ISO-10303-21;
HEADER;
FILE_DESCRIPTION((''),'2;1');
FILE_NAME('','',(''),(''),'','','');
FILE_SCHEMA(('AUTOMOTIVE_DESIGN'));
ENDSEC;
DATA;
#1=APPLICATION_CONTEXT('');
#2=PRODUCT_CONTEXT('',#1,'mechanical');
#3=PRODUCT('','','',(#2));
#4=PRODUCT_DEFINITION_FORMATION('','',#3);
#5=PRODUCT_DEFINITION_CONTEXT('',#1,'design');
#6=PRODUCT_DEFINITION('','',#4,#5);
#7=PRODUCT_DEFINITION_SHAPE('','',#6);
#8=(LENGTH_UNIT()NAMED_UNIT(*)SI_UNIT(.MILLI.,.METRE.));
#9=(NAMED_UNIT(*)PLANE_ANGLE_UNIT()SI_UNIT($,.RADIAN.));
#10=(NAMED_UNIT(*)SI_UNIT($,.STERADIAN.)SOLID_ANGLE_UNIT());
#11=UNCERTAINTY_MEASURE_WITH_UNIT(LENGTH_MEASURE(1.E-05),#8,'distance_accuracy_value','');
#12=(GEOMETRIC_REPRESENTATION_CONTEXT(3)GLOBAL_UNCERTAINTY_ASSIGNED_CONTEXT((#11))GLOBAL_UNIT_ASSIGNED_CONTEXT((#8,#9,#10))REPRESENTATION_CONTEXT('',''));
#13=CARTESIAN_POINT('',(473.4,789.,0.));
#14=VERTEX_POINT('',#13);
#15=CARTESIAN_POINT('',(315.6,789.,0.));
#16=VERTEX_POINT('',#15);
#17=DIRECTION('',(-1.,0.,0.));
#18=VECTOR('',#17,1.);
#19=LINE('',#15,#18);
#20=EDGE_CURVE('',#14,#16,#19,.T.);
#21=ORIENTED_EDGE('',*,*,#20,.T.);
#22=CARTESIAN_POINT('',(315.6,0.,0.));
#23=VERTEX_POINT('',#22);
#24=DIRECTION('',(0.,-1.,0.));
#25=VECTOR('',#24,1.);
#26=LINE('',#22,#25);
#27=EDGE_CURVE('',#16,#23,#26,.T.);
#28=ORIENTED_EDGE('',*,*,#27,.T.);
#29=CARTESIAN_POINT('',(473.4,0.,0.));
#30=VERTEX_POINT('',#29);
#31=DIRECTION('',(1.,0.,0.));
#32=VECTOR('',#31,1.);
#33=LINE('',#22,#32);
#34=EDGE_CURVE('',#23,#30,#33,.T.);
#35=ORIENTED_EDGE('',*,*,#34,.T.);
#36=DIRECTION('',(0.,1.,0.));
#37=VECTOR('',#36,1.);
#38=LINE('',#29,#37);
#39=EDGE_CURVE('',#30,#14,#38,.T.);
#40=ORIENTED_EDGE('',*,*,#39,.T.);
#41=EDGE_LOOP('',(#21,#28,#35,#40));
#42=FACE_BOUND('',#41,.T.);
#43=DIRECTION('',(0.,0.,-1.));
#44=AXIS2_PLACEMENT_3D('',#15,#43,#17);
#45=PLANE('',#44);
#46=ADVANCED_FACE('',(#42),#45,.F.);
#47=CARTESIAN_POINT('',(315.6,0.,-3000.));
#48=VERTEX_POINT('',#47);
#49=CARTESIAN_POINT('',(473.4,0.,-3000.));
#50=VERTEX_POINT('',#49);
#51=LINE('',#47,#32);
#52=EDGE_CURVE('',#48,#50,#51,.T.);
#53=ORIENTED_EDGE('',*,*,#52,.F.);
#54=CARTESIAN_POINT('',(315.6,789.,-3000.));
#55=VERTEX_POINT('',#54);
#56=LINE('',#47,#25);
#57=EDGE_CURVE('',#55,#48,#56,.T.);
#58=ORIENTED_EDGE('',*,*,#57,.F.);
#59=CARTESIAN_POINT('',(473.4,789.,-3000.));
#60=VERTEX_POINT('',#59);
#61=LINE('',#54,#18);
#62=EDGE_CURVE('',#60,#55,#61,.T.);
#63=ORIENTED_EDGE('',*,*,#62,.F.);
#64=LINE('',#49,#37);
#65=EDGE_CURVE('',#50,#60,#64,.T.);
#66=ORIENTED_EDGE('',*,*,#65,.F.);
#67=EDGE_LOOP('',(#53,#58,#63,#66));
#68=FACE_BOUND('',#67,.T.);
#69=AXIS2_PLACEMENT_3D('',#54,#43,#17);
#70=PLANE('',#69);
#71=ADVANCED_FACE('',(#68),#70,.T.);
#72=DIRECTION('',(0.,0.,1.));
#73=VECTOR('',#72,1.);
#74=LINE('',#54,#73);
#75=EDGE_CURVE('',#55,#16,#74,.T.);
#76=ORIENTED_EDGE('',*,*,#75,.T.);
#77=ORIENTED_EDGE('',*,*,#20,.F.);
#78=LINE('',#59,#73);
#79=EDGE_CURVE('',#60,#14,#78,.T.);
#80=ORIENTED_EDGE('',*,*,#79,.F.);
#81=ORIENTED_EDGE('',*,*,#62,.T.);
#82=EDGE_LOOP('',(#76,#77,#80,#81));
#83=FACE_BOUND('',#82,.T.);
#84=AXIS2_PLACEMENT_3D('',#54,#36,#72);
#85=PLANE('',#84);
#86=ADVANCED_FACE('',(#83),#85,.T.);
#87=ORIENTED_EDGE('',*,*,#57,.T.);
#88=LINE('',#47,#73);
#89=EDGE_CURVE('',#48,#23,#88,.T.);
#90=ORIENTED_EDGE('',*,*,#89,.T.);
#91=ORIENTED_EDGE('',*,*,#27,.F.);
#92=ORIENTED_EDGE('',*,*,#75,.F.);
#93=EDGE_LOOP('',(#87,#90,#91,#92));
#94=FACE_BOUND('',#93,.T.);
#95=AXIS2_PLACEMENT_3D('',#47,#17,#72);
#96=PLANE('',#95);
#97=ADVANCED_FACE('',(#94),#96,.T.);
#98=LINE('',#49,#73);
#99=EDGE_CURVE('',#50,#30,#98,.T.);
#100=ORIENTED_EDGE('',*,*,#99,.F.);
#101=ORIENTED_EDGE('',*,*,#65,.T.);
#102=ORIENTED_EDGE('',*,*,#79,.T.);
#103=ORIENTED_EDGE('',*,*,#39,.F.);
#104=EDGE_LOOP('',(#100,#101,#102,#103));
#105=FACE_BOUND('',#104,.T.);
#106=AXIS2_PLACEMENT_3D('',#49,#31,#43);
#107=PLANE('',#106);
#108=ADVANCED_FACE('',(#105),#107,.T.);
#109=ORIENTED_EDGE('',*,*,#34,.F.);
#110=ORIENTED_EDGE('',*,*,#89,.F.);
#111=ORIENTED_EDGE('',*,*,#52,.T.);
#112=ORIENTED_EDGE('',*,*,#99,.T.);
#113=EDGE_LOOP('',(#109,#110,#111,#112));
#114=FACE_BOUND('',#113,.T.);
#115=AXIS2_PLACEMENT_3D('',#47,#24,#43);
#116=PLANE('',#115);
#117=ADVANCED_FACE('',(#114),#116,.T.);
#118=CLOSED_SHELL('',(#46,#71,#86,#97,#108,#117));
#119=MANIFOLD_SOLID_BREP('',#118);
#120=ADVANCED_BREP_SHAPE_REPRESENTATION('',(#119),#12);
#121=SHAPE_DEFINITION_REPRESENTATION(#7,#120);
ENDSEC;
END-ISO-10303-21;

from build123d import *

# Parameters (mm, degrees)
SKETCH_1_W      = 157.8
SKETCH_1_H      = 789
EXTRUDE_1_DEPTH = 3000


with BuildPart() as part:
    # Эскиз1 → Вытянуть1 (new body)
    with BuildSketch(Plane.XY):
        with Locations((394.5, 394.5)):
            Rectangle(SKETCH_1_W, SKETCH_1_H)
    extrude(amount=-EXTRUDE_1_DEPTH)


solid = part.part
